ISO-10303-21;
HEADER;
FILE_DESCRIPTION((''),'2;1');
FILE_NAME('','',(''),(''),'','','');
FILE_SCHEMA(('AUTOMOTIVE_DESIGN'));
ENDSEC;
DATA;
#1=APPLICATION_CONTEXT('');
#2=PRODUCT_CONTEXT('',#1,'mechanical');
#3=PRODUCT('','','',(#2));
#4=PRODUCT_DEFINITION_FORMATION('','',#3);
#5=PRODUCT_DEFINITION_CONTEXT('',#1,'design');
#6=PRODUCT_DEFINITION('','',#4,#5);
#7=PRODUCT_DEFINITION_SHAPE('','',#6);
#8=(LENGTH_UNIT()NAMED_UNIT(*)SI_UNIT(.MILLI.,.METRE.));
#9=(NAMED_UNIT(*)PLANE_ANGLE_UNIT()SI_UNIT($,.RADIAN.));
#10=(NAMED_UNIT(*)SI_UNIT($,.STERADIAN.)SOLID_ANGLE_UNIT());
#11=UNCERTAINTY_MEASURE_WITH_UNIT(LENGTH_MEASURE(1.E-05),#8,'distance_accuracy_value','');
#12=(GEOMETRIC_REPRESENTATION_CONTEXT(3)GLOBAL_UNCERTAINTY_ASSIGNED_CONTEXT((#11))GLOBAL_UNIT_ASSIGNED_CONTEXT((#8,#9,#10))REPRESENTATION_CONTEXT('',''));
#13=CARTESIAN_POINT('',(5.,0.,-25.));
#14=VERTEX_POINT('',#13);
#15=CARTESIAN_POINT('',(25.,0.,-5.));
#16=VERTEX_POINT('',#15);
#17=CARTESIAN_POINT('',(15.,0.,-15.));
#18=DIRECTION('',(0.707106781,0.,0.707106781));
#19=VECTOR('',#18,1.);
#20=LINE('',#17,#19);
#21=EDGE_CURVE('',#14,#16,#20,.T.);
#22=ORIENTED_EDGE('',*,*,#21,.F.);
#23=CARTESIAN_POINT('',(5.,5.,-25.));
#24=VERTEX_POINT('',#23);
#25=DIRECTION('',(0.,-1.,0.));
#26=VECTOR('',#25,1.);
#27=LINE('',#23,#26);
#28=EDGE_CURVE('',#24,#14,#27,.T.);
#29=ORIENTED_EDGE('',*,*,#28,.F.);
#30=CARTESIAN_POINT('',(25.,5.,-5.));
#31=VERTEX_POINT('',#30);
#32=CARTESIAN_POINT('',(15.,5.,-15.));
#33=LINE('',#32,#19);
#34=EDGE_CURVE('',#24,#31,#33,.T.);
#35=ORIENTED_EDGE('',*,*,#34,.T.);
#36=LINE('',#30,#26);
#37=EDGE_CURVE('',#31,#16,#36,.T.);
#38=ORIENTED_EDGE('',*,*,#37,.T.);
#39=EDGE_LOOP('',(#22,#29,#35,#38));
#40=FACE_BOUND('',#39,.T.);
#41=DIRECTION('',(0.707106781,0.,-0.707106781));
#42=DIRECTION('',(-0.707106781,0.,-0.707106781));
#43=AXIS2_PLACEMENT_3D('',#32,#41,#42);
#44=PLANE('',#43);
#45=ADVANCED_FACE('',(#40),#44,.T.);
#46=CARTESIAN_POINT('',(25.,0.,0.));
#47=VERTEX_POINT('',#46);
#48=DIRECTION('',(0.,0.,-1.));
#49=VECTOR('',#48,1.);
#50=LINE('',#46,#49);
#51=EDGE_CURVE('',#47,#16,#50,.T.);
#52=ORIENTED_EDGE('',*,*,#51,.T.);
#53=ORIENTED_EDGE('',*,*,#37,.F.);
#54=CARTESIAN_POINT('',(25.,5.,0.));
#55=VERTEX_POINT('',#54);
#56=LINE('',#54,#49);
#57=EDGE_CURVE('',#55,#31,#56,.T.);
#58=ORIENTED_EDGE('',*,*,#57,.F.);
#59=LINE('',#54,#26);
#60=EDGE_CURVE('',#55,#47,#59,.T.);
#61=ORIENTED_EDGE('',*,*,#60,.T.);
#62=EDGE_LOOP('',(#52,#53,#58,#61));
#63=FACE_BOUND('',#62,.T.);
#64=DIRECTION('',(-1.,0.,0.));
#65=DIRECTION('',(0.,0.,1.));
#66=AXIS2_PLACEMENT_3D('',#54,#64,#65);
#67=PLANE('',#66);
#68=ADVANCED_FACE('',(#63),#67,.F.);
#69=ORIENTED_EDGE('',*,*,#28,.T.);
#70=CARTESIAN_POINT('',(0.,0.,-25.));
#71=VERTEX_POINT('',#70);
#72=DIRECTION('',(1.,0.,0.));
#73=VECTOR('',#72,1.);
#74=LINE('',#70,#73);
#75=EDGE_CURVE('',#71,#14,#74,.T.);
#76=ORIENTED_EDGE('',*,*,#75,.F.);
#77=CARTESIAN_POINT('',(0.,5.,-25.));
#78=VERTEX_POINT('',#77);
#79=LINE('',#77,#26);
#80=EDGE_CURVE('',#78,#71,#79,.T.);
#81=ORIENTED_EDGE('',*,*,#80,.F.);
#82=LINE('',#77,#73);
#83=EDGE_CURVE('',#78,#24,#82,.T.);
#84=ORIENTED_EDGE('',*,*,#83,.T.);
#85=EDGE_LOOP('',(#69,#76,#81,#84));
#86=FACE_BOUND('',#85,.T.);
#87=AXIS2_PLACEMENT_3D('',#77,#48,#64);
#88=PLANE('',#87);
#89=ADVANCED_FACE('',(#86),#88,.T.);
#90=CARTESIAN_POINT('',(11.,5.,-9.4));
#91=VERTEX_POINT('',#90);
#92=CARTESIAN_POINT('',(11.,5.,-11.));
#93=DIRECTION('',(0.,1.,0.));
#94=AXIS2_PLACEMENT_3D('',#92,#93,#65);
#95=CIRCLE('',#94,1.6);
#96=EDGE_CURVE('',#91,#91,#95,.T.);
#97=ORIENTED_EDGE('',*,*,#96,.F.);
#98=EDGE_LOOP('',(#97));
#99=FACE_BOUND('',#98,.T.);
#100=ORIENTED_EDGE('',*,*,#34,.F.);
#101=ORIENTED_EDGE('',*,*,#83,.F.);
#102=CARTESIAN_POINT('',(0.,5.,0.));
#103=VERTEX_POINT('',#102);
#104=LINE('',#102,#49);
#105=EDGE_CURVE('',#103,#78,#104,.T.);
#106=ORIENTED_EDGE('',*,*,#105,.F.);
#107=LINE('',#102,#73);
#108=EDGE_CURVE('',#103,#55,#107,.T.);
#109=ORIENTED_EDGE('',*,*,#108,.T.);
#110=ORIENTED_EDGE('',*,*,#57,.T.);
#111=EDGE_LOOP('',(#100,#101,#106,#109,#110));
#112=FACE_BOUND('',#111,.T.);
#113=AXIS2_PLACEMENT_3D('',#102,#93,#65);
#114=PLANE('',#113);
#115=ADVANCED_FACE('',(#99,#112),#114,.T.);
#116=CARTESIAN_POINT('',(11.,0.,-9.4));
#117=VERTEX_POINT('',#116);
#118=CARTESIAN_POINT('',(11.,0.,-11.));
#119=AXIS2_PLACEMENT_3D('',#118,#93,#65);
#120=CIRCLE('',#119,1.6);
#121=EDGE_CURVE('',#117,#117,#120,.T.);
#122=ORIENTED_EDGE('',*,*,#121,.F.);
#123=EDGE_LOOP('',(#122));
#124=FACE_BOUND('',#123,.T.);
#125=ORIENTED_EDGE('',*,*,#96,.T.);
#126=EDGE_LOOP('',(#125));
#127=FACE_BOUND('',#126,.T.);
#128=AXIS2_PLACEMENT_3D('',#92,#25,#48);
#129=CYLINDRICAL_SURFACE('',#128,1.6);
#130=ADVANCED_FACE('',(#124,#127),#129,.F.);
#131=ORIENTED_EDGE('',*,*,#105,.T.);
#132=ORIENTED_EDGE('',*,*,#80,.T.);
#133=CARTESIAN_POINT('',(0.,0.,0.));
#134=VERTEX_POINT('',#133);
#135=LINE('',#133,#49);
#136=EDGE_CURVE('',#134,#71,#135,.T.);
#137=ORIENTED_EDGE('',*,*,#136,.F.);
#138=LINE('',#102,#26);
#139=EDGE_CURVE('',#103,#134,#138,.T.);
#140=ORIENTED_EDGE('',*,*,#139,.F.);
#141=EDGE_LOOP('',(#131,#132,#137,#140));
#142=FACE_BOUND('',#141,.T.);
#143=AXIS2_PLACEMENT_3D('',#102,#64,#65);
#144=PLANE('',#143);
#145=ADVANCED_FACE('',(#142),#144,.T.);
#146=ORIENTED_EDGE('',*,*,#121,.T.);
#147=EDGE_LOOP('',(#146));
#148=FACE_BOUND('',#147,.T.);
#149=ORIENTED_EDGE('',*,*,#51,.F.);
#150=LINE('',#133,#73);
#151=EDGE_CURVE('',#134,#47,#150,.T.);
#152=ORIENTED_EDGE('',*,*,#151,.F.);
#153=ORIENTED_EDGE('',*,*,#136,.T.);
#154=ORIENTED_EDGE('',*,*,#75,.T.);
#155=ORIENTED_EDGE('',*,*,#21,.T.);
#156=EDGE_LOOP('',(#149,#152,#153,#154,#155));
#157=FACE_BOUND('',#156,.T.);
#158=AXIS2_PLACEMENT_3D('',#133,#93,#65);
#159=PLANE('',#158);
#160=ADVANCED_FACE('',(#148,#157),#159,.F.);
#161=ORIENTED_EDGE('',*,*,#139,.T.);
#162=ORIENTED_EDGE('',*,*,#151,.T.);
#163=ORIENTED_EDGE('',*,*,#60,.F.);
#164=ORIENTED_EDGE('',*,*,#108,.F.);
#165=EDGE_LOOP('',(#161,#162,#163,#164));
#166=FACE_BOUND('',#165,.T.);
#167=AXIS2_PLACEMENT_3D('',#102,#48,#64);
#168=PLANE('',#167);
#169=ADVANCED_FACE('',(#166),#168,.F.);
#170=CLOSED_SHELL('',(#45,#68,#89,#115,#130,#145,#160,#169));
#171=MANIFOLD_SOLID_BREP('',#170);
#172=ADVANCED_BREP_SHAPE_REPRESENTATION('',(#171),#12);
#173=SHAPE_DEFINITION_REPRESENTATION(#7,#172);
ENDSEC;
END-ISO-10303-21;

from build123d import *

# Parameters (mm, degrees)
SKETCH_1_R      = 1.6
EXTRUDE_1_DEPTH = 5


with BuildPart() as part:
    # ｽｹｯﾁ1 → ﾎﾞｽ - 押し出し1 (new body)
    with BuildSketch(Plane(origin=(0, 0, 0), x_dir=(1, 0, 0), z_dir=(0, 1, 0))):
        Polygon((25, 5), (5, 25), (0, 25), (0, 0), (25, 0), align=None)
        with Locations((11, 11)):
            Circle(SKETCH_1_R, mode=Mode.SUBTRACT)
    extrude(amount=EXTRUDE_1_DEPTH)


solid = part.part
